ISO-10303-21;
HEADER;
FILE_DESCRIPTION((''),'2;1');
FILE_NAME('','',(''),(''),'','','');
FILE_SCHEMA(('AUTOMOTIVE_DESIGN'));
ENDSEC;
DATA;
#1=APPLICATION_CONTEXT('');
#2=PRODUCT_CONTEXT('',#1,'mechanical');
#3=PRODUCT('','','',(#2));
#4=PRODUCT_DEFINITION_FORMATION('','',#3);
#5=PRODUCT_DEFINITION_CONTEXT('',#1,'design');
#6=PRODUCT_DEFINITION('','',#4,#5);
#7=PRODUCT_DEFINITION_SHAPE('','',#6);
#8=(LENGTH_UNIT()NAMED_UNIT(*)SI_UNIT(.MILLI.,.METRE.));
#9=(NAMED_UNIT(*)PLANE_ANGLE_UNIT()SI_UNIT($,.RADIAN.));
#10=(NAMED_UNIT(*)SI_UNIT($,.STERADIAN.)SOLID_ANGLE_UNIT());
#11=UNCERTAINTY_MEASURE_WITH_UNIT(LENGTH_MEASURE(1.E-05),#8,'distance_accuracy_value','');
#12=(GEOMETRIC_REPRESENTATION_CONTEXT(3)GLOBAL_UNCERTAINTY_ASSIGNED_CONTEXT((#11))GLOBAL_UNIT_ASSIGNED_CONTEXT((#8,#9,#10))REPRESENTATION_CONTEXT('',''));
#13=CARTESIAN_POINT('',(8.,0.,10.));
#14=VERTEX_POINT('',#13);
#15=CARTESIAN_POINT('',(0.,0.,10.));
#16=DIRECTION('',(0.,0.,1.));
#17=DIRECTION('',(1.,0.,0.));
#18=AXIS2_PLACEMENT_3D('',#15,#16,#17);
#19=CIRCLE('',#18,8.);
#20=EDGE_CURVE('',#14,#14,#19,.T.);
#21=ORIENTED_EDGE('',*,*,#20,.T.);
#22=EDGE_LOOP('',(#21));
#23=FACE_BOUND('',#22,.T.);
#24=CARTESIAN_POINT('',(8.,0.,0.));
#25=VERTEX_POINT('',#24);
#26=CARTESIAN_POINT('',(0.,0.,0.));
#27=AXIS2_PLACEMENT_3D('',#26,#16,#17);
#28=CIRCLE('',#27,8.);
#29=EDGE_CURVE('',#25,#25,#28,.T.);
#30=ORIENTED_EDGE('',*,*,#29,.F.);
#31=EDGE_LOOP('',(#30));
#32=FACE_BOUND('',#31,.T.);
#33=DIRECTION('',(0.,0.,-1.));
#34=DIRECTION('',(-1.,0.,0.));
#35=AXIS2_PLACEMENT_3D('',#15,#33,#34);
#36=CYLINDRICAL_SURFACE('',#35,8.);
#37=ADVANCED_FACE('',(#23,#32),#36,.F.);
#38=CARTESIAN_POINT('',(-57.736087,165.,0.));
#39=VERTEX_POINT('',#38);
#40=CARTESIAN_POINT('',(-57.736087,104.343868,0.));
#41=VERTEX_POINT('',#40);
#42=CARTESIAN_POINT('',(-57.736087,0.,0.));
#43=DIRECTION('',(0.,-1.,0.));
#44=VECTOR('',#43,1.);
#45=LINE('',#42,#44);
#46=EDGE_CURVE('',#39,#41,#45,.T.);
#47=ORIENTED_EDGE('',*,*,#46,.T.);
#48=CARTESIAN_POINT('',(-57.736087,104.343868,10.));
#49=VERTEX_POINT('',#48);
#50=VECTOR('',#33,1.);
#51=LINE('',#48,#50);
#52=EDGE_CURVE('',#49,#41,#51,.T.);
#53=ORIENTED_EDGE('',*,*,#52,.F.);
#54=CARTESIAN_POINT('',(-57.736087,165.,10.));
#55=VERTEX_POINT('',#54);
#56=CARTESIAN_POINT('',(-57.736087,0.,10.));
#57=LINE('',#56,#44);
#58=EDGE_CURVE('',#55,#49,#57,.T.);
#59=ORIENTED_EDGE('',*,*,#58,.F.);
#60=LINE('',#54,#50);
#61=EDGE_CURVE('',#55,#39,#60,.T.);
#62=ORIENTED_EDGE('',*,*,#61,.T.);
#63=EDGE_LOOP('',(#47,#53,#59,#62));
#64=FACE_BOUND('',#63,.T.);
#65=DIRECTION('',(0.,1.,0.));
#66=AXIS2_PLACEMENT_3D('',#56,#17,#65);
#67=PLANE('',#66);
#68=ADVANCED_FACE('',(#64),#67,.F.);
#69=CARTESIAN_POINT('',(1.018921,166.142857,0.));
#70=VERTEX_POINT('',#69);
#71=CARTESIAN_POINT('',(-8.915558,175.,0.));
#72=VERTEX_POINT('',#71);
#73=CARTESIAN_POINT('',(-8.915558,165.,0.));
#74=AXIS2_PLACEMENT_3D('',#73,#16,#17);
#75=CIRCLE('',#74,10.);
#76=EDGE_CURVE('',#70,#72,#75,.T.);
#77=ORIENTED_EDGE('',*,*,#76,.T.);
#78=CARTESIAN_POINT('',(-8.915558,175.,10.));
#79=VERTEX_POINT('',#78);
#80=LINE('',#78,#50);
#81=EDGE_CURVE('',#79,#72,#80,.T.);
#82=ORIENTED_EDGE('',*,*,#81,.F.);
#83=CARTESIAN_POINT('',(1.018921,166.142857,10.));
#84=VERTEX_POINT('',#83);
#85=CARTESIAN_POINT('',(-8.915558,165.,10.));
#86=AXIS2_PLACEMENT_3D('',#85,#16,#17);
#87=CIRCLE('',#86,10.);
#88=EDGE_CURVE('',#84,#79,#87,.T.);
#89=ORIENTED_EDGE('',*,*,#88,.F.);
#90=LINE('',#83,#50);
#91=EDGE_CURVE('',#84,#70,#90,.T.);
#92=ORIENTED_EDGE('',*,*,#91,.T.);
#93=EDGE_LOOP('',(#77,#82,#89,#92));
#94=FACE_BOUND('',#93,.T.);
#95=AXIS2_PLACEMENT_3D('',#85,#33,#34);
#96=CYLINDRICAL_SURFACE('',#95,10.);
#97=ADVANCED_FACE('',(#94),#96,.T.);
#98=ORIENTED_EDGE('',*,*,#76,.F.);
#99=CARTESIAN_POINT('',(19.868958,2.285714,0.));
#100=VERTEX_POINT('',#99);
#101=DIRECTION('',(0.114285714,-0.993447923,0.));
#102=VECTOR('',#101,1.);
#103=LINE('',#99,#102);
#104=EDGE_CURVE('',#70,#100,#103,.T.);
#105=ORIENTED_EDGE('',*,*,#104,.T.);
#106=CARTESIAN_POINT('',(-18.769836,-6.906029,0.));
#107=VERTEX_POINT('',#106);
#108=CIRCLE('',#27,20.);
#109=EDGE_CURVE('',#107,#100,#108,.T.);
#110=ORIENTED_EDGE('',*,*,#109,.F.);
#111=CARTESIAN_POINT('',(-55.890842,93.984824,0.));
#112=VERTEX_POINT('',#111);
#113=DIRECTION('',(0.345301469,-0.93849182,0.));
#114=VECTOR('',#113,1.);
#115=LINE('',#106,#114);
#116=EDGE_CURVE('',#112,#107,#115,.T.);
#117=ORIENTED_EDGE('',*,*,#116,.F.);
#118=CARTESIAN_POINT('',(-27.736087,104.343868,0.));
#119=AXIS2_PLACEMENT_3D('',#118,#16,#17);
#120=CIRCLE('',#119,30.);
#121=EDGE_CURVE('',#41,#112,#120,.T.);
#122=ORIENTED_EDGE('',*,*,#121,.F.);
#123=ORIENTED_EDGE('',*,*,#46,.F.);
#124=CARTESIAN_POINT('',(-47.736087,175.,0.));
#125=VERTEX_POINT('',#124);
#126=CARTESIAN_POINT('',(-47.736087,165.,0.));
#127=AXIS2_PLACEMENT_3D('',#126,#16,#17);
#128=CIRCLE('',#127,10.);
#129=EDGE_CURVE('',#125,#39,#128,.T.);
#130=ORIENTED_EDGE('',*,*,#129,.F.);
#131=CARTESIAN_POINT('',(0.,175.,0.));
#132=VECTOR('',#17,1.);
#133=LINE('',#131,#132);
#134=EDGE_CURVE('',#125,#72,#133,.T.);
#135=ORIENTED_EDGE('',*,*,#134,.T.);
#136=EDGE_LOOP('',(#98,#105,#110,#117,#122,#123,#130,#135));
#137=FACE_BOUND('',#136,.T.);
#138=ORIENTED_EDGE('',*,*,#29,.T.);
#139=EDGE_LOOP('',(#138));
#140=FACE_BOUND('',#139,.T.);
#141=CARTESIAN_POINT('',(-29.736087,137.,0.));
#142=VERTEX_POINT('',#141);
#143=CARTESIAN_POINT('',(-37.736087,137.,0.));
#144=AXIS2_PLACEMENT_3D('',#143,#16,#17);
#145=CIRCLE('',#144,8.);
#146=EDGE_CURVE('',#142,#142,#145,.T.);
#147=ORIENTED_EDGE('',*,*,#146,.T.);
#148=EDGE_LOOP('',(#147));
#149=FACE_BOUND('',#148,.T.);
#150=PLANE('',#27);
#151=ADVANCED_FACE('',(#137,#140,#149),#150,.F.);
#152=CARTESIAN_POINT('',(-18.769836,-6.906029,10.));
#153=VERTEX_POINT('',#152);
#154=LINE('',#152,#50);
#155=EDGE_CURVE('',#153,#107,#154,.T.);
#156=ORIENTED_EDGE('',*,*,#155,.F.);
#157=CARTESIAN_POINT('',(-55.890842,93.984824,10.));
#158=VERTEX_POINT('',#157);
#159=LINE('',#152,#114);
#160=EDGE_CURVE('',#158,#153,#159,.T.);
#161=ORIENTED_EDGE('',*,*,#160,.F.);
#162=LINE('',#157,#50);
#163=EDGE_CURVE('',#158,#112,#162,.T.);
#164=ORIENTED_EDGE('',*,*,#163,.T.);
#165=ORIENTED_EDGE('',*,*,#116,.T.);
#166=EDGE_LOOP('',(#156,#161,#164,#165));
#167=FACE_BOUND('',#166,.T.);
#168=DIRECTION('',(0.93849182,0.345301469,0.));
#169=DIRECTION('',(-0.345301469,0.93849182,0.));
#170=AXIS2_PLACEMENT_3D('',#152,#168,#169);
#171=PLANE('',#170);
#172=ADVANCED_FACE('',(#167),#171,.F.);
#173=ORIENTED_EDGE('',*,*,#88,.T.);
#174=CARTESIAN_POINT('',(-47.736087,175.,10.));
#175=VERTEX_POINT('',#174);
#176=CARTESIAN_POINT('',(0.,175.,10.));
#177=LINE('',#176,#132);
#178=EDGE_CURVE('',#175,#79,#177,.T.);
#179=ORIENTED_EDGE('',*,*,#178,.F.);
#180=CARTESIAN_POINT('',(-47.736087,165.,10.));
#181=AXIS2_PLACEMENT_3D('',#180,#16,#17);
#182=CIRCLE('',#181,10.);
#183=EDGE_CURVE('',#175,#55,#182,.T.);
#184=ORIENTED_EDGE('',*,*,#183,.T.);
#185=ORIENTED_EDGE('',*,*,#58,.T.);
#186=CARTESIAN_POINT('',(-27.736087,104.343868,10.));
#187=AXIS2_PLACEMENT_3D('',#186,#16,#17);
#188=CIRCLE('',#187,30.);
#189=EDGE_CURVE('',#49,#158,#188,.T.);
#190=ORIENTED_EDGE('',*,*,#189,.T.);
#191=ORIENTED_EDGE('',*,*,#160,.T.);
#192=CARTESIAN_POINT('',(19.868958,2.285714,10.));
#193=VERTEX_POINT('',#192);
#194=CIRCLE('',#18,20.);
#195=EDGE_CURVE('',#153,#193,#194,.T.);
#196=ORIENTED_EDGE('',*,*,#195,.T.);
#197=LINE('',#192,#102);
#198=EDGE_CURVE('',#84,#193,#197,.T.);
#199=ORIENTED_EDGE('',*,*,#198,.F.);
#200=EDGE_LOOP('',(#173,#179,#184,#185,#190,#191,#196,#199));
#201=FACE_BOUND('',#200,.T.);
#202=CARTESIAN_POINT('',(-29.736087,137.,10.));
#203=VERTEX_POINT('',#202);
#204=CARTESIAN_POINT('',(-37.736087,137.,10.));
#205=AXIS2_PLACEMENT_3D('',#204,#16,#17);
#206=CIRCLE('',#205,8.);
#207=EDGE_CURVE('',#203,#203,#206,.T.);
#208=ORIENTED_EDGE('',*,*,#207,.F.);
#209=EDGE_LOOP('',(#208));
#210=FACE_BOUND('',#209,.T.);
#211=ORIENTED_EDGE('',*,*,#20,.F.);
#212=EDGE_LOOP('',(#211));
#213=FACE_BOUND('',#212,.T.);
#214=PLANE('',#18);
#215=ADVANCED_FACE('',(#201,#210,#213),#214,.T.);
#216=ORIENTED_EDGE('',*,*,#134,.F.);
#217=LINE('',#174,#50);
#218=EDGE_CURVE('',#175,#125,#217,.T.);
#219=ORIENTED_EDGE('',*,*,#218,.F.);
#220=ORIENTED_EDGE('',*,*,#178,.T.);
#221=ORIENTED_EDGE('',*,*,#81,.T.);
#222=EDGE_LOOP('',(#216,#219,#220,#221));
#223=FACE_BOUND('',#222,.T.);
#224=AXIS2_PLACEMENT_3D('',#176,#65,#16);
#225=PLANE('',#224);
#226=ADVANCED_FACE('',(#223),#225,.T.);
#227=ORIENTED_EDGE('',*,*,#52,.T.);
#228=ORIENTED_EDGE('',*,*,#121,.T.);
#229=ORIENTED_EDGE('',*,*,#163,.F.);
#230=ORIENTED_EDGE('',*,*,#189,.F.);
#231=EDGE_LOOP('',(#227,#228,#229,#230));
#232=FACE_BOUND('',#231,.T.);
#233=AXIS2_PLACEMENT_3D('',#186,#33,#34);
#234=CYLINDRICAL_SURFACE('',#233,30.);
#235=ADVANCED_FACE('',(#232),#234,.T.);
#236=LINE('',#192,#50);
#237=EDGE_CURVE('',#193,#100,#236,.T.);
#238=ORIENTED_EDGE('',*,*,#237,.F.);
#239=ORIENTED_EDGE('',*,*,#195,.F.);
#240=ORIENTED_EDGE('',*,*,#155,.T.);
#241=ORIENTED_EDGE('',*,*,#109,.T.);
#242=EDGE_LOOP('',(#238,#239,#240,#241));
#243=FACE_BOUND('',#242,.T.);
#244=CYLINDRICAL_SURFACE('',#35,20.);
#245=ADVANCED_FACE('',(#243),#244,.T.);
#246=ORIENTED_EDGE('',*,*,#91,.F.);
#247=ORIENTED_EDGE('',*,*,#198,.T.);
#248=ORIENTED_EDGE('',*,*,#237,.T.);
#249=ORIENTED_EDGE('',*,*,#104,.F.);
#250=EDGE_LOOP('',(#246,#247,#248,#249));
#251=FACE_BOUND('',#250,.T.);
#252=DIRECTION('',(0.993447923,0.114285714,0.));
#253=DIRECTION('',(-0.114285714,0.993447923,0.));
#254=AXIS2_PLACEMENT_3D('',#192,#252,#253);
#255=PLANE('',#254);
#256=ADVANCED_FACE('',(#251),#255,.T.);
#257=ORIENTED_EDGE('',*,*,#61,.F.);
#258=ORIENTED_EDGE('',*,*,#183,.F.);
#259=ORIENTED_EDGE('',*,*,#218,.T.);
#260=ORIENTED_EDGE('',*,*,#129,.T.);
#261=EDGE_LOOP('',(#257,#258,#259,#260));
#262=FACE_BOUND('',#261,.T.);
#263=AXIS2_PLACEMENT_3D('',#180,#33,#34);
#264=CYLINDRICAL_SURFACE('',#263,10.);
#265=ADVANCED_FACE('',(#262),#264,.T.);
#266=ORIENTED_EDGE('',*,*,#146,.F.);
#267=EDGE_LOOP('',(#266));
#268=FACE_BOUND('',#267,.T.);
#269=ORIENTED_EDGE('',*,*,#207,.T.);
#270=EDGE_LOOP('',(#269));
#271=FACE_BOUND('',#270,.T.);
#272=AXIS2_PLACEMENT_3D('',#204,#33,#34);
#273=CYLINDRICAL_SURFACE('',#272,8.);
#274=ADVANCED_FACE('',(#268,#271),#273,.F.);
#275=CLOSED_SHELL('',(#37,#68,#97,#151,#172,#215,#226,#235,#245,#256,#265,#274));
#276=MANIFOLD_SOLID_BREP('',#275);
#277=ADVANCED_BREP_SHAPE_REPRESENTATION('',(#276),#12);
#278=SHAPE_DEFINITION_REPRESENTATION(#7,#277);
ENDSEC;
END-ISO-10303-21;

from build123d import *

# Parameters (mm, degrees)
SZKIC1_R                    = 20
SZKIC1_R_2                  = 8
DODANIE_WYCI_GNI_CIE3_DEPTH = 10


with BuildPart() as part:
    # Szkic1 → Dodanie-wyciągnięcie3 (new body)
    # profile 1 of 3: a face of its own
    with BuildSketch(Plane.XY):
        with BuildLine():
            ThreePointArc((-57.25630176, 99), (-56.682391116, 96.462784094), (-55.890841639, 93.984823763))
            Line((-55.890841639, 93.984823763), (-18.769836395, -6.906029373))
            ThreePointArc((-18.769836395, -6.906029373), (-4.628612665, 19.457028159), (19.868958458, 2.285714286))
            Line((19.868958458, 2.285714286), (1.018920947, 166.142857143))
            ThreePointArc((1.018920947, 166.142857143), (-2.260807026, 172.464200273), (-8.915558282, 175))
            Line((-8.915558282, 175), (-17.736087047, 175))
            Line((-17.736087047, 175), (-17.736087047, 99))
            Line((-17.736087047, 99), (-57.25630176, 99))
        make_face()
    # profile 2 of 3: a face of its own
    with BuildSketch(Plane.XY):
        Circle(SZKIC1_R)
        Circle(SZKIC1_R_2, mode=Mode.SUBTRACT)
    # profile 3 of 3: a face of its own
    with BuildSketch(Plane.XY):
        with BuildLine():
            ThreePointArc((-57.736087047, 104.343867823), (-57.615899976, 101.661186457), (-57.25630176, 99))
            Line((-57.25630176, 99), (-17.736087047, 99))
            Line((-17.736087047, 99), (-17.736087047, 175))
            Line((-17.736087047, 175), (-47.736087047, 175))
            ThreePointArc((-47.736087047, 175), (-54.807154859, 172.071067812), (-57.736087047, 165))
            Line((-57.736087047, 165), (-57.736087047, 104.343867823))
        make_face()
        with Locations((-37.736087047, 137)):
            Circle(SZKIC1_R_2, mode=Mode.SUBTRACT)
    extrude(amount=DODANIE_WYCI_GNI_CIE3_DEPTH)


solid = part.part
